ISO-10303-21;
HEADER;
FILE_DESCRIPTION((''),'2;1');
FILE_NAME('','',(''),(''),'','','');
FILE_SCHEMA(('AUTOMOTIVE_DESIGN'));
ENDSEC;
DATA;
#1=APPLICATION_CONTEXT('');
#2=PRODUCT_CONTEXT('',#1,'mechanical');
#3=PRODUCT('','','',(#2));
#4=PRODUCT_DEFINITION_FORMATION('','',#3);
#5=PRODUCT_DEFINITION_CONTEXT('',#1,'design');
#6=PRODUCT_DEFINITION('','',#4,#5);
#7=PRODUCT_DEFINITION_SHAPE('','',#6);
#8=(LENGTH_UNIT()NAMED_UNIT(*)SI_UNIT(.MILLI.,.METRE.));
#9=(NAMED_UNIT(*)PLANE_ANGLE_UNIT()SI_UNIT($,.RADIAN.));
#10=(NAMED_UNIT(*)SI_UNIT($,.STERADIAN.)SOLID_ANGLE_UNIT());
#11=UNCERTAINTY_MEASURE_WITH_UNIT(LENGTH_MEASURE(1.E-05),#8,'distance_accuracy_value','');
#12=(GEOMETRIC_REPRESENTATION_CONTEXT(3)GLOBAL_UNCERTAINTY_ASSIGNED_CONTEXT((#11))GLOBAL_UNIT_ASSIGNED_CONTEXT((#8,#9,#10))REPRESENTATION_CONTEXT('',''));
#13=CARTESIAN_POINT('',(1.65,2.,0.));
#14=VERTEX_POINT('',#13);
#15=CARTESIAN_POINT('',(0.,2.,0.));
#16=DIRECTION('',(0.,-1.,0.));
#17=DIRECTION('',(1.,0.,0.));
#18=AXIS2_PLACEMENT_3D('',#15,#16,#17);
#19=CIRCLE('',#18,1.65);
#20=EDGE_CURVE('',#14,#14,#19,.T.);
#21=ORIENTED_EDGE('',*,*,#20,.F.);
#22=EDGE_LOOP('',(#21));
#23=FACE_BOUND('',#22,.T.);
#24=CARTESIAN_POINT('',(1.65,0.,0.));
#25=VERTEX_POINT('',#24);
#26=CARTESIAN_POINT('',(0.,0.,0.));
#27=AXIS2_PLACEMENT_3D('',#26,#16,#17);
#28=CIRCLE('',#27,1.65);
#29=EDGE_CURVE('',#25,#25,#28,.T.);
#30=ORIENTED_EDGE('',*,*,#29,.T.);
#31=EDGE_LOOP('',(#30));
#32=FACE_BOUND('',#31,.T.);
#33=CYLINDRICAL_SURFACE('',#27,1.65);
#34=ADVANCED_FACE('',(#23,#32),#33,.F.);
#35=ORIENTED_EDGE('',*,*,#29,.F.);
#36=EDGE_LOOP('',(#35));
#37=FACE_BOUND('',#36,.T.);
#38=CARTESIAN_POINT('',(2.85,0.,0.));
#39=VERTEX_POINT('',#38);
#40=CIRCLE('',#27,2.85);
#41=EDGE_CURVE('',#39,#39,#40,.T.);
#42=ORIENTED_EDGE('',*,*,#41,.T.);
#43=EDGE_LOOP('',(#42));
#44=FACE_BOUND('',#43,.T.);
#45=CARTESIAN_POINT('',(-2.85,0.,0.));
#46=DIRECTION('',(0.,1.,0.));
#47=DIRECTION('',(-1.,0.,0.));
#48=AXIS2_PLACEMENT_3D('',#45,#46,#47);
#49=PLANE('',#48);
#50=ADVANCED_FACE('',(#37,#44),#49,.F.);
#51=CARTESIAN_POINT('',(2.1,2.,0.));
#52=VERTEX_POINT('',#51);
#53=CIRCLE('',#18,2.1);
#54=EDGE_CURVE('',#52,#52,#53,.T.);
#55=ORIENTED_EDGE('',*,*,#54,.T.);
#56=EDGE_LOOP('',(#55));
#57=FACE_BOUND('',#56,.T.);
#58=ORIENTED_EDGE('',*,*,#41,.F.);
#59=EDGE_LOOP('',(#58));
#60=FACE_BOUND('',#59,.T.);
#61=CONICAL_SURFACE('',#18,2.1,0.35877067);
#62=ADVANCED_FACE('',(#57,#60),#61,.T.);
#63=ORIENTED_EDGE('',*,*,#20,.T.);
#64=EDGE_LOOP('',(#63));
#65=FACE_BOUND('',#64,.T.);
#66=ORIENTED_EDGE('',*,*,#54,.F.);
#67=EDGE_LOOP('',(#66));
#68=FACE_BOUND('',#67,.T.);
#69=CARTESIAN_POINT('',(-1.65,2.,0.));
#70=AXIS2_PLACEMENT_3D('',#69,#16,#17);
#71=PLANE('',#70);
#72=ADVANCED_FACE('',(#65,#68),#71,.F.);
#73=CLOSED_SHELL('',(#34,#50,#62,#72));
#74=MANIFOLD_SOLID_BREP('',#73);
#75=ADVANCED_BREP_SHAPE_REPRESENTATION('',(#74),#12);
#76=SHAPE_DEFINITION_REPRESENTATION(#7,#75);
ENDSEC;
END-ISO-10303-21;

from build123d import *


with BuildPart() as part:
    # Sketch2 → Revolve1 (revolve)
    with BuildSketch(Plane.XY, mode=Mode.PRIVATE) as revolve1_sk:
        Polygon((-1.65, 2), (-2.1, 2), (-2.85, 0), (-1.65, 0), align=None)
    revolve(revolve1_sk.sketch.rotate(Axis((0, 0, 0), (0, 1, 0)), 180), axis=Axis((0, 0, 0), (0, 1, 0)))


solid = part.part
